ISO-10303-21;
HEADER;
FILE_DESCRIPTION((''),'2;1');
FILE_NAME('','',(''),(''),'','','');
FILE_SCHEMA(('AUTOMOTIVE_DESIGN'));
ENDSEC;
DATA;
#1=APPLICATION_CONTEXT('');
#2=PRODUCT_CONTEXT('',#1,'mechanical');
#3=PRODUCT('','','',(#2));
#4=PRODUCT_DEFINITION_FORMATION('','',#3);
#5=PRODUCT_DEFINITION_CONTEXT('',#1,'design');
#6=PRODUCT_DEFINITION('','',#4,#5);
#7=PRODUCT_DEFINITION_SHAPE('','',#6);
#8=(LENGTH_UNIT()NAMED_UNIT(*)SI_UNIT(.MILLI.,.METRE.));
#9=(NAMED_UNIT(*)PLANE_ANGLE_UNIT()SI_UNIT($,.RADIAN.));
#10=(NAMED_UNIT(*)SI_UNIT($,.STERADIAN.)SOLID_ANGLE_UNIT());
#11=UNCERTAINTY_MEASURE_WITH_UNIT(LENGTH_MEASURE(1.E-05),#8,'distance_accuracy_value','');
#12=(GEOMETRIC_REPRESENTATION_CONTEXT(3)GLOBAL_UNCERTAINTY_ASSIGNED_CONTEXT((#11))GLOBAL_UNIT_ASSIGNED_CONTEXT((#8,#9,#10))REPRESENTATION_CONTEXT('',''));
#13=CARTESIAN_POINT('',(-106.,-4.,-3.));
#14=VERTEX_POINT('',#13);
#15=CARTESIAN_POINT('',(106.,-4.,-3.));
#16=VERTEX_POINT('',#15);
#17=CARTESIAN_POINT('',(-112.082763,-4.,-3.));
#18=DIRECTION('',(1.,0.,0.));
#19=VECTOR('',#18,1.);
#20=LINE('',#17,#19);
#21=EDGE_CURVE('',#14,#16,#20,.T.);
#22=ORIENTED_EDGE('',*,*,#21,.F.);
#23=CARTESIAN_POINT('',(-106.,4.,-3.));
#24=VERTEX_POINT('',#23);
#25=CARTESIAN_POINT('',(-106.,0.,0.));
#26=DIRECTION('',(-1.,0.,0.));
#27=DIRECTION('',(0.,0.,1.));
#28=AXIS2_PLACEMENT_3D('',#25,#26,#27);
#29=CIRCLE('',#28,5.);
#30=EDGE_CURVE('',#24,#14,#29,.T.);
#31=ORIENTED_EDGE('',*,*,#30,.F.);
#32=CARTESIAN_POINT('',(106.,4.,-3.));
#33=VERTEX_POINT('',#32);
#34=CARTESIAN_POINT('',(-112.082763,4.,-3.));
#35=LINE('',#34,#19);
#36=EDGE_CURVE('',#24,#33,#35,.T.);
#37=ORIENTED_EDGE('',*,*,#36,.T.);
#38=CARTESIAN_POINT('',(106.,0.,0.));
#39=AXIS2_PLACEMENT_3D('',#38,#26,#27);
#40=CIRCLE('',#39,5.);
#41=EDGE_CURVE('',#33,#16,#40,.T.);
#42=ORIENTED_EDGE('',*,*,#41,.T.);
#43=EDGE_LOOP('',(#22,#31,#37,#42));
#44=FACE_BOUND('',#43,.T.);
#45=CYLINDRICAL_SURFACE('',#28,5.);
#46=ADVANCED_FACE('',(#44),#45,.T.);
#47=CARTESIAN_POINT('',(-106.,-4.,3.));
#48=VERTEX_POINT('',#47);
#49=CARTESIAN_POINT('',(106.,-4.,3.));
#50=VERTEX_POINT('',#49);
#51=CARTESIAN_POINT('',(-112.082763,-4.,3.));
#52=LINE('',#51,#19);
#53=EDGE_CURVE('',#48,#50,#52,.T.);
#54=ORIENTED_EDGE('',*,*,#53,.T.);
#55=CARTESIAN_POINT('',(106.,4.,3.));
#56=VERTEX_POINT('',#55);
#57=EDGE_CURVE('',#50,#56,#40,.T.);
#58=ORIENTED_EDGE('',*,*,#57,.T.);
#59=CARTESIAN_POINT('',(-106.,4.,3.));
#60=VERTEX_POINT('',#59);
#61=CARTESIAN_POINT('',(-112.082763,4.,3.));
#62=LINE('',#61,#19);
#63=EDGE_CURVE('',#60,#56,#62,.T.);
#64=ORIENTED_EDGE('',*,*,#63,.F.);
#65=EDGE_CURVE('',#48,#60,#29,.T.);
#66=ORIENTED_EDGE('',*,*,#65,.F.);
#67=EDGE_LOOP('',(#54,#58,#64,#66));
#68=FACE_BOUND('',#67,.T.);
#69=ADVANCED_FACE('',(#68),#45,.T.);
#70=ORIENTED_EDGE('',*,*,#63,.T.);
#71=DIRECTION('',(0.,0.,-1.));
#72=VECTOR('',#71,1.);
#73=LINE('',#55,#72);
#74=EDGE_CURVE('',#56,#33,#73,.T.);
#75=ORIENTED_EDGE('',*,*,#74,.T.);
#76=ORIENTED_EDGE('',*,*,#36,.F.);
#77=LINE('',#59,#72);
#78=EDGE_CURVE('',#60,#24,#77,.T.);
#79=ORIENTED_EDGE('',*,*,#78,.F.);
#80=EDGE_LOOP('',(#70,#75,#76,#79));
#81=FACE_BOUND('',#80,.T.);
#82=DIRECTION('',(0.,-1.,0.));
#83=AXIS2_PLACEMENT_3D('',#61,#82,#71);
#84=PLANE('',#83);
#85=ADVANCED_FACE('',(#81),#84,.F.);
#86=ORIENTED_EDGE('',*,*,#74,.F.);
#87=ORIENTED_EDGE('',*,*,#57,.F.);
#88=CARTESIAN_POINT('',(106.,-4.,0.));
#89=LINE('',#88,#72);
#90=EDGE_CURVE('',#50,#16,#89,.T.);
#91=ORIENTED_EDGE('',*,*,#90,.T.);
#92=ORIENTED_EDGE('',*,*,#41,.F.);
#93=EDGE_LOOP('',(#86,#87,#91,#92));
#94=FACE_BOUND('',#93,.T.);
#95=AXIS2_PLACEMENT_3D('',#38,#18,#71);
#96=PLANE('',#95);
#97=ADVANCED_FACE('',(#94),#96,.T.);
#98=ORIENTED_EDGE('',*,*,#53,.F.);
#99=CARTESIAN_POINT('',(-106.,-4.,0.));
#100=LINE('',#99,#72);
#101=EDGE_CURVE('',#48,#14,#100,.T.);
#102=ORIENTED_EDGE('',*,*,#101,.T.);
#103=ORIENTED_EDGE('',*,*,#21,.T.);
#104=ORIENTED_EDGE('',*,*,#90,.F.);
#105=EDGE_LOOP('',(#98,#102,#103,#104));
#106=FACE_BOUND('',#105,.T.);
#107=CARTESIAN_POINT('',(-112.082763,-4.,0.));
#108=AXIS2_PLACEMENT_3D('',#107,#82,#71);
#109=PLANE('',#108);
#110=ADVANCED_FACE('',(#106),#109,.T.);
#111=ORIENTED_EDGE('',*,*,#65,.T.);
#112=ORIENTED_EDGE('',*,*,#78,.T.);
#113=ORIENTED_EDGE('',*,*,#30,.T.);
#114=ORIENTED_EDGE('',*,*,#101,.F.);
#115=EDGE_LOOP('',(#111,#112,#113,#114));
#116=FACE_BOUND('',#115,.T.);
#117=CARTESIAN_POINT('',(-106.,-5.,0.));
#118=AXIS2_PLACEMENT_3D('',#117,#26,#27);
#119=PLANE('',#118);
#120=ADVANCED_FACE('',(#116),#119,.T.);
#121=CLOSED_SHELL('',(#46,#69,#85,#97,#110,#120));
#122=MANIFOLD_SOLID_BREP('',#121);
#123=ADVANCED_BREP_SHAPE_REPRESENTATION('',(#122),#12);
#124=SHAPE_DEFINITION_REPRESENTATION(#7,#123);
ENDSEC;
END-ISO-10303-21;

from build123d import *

# Parameters (mm, degrees)
SKETCH1_W          = 212
SKETCH1_H          = 5
CUT_EXTRUDE1_START = -212
CUT_EXTRUDE1_DEPTH = 212


with BuildPart() as part:
    # Sketch1 → Revolve1 (revolve)
    with BuildSketch(Plane.XY, mode=Mode.PRIVATE) as revolve1_sk:
        with Locations((0, -2.5)):
            Rectangle(SKETCH1_W, SKETCH1_H)
    revolve(revolve1_sk.sketch.rotate(Axis((-106, 0, 0), (1, 0, 0)), 270), axis=Axis((-106, 0, 0), (1, 0, 0)))

    # Sketch2 → Cut-Extrude1 (cut)
    with BuildSketch(Plane(origin=(106, 0, 0), x_dir=(0, 0, -1), z_dir=(1, 0, 0)).offset(CUT_EXTRUDE1_START)):
        with BuildLine():
            Line((3, -4), (-3, -4))
            ThreePointArc((-3, -4), (0, -5), (3, -4))
        make_face()
        with BuildLine():
            ThreePointArc((-3, 4), (0, 5), (3, 4))
            Line((3, 4), (-3, 4))
        make_face()
    extrude(amount=CUT_EXTRUDE1_DEPTH, mode=Mode.SUBTRACT)


solid = part.part
